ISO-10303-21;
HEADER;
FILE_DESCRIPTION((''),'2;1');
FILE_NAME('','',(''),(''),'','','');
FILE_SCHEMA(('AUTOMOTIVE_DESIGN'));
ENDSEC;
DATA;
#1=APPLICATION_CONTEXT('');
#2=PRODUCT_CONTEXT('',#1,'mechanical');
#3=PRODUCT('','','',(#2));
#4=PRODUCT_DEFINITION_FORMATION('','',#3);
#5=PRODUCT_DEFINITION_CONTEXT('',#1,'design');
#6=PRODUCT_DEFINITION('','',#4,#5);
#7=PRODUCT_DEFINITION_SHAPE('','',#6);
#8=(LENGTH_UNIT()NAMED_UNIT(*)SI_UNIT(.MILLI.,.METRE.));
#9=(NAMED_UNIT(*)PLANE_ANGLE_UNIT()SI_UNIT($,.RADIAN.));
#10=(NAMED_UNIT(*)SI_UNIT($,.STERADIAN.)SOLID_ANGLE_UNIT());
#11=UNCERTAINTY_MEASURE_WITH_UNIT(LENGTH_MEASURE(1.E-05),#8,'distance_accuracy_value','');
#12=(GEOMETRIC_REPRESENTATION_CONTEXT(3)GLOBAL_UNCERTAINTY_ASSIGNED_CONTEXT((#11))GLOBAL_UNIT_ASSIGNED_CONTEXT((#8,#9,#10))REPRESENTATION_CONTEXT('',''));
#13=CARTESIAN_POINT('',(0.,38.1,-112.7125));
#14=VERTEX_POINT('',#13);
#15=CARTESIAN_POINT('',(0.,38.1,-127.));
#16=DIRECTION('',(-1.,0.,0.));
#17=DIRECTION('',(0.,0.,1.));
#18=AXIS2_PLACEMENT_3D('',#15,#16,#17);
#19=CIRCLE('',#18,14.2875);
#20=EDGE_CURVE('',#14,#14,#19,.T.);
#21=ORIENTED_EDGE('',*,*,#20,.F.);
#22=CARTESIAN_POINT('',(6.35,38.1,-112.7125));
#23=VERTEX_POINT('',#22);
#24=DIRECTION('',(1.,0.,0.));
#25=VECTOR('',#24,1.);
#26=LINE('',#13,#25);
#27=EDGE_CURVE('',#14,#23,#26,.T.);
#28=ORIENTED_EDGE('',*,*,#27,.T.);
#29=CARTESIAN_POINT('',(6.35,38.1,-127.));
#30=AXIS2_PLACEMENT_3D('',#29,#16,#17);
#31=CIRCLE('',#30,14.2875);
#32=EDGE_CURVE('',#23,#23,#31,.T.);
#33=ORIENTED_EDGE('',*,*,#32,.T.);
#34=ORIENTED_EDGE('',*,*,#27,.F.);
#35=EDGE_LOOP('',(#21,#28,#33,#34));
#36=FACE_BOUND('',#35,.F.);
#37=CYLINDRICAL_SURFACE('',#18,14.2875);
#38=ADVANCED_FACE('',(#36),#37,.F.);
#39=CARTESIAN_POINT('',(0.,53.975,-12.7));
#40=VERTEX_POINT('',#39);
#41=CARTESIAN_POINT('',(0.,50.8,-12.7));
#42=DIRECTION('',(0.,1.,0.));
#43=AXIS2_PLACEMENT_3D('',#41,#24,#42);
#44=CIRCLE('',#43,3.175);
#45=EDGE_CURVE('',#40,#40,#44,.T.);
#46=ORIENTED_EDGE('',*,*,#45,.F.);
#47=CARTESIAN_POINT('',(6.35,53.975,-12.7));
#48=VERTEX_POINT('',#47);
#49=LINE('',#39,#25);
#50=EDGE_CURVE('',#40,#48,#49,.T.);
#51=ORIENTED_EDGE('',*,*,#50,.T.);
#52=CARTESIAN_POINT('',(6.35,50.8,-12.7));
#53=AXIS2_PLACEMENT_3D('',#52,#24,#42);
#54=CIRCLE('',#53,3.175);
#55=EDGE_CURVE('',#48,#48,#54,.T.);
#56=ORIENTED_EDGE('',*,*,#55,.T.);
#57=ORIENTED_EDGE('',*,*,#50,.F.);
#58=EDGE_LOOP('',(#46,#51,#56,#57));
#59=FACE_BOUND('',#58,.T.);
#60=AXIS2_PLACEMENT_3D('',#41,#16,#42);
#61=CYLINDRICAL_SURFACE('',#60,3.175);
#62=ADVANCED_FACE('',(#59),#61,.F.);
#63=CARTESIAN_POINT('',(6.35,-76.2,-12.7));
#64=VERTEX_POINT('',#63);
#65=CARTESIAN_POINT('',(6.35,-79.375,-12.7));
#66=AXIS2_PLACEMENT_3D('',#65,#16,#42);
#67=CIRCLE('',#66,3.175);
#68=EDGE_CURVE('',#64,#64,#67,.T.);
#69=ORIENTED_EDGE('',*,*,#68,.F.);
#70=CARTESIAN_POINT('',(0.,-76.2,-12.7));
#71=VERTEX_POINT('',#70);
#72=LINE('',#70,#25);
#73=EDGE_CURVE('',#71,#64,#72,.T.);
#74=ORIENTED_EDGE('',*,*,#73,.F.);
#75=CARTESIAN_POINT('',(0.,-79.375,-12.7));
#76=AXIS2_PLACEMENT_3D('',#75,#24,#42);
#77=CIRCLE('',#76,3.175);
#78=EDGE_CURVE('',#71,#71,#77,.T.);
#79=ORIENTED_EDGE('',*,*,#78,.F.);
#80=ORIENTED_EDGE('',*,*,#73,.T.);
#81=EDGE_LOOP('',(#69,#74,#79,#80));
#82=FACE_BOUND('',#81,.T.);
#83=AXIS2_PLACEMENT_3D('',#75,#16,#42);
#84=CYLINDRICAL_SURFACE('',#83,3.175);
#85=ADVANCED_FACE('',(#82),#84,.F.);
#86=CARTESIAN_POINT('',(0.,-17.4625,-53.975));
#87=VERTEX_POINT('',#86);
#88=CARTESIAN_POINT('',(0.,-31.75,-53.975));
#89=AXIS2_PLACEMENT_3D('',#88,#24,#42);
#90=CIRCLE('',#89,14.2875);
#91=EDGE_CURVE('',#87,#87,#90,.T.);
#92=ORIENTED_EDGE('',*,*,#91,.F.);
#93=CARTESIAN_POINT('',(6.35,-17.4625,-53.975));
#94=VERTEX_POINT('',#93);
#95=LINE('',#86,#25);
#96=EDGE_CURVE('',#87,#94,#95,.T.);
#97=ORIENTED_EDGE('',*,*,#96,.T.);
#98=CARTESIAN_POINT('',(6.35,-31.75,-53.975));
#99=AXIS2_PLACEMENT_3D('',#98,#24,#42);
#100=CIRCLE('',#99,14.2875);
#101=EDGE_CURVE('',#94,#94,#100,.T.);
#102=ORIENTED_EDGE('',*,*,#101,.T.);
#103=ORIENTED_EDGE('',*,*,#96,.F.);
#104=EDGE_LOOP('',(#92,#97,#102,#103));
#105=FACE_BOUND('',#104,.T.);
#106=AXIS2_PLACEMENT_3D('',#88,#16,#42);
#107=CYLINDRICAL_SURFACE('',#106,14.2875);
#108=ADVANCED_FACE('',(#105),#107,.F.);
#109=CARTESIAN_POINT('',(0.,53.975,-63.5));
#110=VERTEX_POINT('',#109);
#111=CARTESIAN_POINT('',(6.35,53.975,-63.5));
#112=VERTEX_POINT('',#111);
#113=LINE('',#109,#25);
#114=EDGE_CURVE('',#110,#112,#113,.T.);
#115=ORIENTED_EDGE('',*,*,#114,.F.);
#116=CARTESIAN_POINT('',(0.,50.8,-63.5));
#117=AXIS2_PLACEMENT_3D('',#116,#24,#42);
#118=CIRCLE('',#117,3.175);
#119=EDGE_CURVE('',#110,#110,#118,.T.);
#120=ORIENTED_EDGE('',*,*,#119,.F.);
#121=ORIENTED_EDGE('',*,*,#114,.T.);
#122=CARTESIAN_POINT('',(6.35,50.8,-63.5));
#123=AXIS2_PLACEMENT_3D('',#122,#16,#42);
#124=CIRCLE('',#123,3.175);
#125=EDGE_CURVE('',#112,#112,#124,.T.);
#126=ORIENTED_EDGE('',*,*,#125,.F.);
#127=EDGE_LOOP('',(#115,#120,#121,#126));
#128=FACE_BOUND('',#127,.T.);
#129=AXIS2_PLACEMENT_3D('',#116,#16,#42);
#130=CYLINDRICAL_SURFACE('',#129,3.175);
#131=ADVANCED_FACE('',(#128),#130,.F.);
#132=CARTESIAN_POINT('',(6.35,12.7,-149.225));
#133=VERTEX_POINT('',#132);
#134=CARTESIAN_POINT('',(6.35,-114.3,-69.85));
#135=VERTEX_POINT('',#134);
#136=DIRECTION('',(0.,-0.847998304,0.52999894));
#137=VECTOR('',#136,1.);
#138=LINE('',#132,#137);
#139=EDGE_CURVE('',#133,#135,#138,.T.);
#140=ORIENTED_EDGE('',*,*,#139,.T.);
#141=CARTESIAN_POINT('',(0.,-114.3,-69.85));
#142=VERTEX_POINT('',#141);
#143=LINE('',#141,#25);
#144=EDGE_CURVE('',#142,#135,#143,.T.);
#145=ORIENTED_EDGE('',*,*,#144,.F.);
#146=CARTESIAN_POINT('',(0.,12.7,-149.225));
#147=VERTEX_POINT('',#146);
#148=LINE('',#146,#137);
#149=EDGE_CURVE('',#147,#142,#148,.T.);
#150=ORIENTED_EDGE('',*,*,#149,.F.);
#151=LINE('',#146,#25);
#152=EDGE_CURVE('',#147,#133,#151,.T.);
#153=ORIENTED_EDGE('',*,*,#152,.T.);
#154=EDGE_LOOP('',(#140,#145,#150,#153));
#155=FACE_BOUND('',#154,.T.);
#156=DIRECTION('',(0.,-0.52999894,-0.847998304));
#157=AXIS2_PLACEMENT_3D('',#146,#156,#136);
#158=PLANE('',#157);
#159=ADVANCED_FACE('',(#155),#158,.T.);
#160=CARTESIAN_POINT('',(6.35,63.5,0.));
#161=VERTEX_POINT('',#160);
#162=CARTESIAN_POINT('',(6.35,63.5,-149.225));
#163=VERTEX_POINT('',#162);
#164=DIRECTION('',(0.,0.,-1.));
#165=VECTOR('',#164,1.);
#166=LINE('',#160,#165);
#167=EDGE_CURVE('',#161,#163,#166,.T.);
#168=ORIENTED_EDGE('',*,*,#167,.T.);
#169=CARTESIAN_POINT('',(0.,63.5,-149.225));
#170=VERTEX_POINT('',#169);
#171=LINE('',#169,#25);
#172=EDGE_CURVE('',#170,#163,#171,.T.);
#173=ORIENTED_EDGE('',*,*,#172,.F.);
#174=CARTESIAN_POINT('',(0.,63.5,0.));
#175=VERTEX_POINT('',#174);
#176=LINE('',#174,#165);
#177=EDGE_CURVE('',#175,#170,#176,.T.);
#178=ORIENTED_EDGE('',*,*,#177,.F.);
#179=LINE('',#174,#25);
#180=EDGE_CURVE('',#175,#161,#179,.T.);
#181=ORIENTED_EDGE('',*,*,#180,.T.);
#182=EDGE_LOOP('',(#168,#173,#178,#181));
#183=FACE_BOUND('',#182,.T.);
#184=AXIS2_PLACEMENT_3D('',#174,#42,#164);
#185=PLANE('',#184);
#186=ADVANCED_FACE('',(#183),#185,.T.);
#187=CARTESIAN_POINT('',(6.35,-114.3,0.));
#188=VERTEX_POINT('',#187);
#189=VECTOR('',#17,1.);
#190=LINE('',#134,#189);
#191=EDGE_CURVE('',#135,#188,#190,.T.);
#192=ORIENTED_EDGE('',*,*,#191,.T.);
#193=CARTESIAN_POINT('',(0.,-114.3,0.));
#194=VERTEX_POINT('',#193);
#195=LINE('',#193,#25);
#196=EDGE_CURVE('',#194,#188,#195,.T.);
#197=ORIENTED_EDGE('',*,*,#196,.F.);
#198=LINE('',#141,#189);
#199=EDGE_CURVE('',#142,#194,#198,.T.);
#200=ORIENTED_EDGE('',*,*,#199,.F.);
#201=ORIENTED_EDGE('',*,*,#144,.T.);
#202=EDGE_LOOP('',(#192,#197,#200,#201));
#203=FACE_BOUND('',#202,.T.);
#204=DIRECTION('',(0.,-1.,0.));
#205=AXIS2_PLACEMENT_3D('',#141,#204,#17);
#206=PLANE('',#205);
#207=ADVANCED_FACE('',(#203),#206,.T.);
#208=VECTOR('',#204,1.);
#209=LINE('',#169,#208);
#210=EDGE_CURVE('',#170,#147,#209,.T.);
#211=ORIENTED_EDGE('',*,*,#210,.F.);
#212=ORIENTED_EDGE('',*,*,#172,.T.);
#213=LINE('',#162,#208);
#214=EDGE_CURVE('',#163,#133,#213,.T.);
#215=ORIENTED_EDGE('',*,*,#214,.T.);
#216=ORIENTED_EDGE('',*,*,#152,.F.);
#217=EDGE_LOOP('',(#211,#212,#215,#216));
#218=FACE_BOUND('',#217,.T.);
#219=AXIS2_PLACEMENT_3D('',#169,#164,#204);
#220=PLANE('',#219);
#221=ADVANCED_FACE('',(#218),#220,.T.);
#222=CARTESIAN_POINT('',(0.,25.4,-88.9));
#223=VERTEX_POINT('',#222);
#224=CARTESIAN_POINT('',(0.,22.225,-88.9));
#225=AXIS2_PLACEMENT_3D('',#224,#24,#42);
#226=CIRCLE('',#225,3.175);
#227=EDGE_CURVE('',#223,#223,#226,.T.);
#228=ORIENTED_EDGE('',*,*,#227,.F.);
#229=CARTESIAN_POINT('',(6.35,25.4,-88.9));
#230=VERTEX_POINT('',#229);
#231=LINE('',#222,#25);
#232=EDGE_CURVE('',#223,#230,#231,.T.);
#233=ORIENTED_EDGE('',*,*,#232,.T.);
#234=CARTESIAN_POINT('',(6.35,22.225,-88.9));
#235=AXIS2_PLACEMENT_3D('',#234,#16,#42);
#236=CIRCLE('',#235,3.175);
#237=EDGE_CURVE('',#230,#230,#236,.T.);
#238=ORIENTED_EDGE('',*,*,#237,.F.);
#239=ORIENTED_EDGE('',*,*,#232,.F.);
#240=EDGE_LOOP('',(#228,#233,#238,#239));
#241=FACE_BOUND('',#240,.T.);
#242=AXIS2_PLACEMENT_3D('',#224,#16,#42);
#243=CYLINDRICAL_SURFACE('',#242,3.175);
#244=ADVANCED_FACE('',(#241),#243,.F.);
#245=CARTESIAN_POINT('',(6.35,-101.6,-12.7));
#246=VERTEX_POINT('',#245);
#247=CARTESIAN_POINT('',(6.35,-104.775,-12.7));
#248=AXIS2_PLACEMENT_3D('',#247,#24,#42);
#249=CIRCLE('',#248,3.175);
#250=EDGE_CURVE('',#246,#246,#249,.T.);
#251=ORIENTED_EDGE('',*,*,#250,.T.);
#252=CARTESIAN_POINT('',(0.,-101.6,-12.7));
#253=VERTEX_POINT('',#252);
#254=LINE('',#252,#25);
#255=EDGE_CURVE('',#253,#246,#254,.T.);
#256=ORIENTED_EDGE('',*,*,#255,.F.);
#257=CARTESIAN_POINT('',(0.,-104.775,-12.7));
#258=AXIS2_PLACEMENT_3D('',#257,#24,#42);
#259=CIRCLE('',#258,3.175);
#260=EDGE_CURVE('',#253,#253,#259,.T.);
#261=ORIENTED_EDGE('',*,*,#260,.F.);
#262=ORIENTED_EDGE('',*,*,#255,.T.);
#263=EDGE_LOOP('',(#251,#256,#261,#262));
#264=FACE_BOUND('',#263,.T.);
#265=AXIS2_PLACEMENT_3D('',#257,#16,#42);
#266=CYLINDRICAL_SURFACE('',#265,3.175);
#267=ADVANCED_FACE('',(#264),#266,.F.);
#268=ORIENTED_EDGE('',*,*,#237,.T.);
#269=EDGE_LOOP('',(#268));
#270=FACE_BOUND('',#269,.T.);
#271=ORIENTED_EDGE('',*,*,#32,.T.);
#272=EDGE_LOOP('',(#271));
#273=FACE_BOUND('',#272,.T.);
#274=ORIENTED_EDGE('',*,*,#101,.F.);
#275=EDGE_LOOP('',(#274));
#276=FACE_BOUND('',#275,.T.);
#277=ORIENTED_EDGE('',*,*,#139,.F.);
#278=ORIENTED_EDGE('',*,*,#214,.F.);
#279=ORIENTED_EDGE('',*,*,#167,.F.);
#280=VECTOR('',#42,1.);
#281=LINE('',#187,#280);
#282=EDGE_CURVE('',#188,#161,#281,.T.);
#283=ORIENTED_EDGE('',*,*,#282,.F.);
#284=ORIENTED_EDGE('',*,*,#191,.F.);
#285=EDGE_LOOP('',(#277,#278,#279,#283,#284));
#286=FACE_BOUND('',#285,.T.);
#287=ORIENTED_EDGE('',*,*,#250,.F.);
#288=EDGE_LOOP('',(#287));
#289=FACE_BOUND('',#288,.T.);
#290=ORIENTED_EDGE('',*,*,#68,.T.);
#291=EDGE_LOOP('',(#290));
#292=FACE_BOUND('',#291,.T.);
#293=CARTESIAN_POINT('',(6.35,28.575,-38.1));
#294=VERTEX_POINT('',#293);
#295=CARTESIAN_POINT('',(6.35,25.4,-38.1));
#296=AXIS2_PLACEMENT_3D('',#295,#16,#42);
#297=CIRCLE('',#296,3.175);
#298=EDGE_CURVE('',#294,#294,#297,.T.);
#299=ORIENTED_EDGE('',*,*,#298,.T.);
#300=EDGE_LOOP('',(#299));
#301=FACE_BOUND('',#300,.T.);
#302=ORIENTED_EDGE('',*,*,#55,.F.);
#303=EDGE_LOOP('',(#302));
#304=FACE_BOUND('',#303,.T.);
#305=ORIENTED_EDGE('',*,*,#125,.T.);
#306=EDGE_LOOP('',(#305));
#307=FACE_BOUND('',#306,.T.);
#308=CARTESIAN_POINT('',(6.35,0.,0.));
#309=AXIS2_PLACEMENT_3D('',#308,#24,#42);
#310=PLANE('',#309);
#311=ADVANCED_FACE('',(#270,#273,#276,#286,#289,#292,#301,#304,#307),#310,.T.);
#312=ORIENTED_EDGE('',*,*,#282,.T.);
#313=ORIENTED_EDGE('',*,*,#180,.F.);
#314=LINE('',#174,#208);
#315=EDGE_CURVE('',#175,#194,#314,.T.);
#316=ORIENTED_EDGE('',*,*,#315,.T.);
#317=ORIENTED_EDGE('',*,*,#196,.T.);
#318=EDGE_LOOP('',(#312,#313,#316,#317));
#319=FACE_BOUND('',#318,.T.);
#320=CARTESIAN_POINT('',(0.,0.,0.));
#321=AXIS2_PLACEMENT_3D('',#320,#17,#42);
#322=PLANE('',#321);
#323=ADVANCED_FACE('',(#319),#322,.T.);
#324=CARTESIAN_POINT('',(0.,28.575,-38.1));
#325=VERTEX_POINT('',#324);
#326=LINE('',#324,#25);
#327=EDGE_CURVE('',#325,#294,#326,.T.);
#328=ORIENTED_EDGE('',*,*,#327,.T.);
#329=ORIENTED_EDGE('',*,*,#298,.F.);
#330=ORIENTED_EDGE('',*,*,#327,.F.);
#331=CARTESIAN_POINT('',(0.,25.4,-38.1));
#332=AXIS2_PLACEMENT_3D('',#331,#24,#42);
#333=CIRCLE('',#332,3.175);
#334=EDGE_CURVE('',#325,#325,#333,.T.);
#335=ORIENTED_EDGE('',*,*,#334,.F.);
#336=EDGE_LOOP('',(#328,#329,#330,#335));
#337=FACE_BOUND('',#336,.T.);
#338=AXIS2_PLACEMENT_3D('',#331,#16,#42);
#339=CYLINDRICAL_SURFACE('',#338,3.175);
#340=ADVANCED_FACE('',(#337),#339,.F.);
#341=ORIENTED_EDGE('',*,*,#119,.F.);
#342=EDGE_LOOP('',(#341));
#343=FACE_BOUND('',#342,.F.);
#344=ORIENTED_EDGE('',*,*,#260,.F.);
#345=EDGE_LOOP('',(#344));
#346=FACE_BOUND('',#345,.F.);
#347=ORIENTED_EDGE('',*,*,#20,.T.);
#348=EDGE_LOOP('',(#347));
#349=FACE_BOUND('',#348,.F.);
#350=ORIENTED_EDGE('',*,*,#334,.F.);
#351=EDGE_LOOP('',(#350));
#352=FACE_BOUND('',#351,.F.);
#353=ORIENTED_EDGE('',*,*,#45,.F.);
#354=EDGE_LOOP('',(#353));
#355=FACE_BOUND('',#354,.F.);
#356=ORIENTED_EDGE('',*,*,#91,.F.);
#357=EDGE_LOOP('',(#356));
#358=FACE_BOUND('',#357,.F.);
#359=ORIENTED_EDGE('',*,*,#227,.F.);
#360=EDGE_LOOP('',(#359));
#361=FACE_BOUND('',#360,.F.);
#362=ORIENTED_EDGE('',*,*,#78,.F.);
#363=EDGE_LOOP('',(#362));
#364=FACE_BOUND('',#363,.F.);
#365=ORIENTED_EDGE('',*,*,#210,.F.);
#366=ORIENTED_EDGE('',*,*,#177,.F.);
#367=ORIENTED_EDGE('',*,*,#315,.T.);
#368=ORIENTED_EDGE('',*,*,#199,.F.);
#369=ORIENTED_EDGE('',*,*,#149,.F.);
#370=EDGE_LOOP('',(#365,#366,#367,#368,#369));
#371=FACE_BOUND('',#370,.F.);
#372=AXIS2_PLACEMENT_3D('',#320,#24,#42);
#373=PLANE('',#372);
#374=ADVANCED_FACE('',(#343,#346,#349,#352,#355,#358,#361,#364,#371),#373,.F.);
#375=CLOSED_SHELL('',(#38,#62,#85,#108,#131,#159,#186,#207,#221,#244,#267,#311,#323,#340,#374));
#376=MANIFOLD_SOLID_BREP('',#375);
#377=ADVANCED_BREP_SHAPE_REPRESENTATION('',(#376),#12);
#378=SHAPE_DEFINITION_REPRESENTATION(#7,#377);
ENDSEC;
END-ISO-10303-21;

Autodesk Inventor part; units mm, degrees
ref_plane "YZ Plane" through (0, 0, 0) normal (1, 0, 0) x (0, 1, 0)
ref_plane "XZ Plane" through (0, 0, 0) normal (0, 1, 0) x (-1, 0, 0)
ref_plane "XY Plane" through (0, 0, 0) normal (0, 0, 1) x (1, 0, 0)
sketch "Sketch1" plane through (0, 0, 0) normal (1, 0, 0) x (0, 1, 0)
  line L0 (0, 0) -> (63.5, 0)
  line L1 (63.5, 0) -> (63.5, -149.225)
  line L2 (63.5, -149.225) -> (12.7, -149.225)
  circle A0 centre (-31.75, -53.975) radius 14.2875
  line L3 (63.5, -25.4) -> (-43.502, -25.4) construction
  circle A1 centre (50.8, -12.7) radius 3.175
  circle A2 centre (-104.775, -12.7) radius 3.175
  line L4 (12.7, -149.225) -> (-114.3, -69.85)
  line L5 (-114.3, -69.85) -> (-114.3, 0)
  line L6 (-114.3, 0) -> (0, 0)
  circle A3 centre (-85.725, -53.975) radius 14.2875
  line L7 (-53.2384, 0) -> (-95.25, 0)
  circle A4 centre (-79.375, -12.7) radius 3.175
  circle A5 centre (25.4, -38.1) radius 3.175
  circle A6 centre (50.8, -63.5) radius 3.175
  circle A7 centre (22.225, -88.9) radius 3.175
  dimension "d1" = 28.575
  dimension "d2" = 63.5
  dimension "d6" = 25.4
  dimension "d7" = 6.35
  dimension "d8" = 6.35
  dimension "d9" = 12.7
  dimension "d10" = 12.7
  dimension "d12" = 12.7
  dimension "d17" = 50.8
  dimension "d18" = 114.3
  dimension "d19" = 9.525
  dimension "d20" = 53.975
  dimension "d21" = 28.575
  dimension "d24" = 53.975
  dimension "d25" = 69.85
  dimension "d26" = 53.975
  dimension "d27" = 149.225
  dimension "d28" = 107.002
  dimension "d45" = 6.35
  dimension "d46" = 12.7
  dimension "d47" = 25.4
  dimension "d48" = 6.35
  dimension "d49" = 38.1
  dimension "d50" = 38.1
  dimension "d53" = 6.35
  dimension "d54" = 6.35
  dimension "d55" = 41.275
  dimension "d56" = 88.9
  dimension "d57" = 12.7
  dimension "d58" = 63.5
extrude "Extrusion1" add sketch "Sketch1" along normal blind 6.35 contours L0 L1 L2 L4 L5 L6 | A3 | A4 | A5 | A6 | A7
sketch "Sketch2" plane through (0, 0, 0) normal (-1, 0, 0) x (0, 0, 1)
  circle A0 centre (-127, 38.1) radius 14.2875
  line L0 (-149.225, 63.5) -> (-149.225, 12.7) projected
  line L1 (0, 63.5) -> (-149.225, 63.5) projected
  point P0 (0, 0)
  dimension "d40" = 28.575
  dimension "d41" = 22.225
  dimension "d42" = 25.4
extrude "Extrusion3" cut sketch "Sketch2" against normal blind 25.4
extrude "Extrusion4" cut sketch "Sketch1" along normal blind 25.4 contours A4 | A5 | A6 | A7
equation "\"BendRadius\" = Thickness"
equation "\"BendReliefWidth\" = Thickness"
equation "\"BendReliefDepth\" = 0.5 * Thickness"
equation "\"CornerReliefSize\" = 4 * Thickness"
equation "\"MinimumRemnant\" = 2 * Thickness"
equation "\"TransitionRadius\" = BendRadius"
equation "\"JacobiRadiusSize\" = Thickness"
equation "\"GapSize\" = Thickness"
equation "\"Thickness\" = 3.048"
properties part number "15102898-16-P-0310" material "Aluminum 6061"
